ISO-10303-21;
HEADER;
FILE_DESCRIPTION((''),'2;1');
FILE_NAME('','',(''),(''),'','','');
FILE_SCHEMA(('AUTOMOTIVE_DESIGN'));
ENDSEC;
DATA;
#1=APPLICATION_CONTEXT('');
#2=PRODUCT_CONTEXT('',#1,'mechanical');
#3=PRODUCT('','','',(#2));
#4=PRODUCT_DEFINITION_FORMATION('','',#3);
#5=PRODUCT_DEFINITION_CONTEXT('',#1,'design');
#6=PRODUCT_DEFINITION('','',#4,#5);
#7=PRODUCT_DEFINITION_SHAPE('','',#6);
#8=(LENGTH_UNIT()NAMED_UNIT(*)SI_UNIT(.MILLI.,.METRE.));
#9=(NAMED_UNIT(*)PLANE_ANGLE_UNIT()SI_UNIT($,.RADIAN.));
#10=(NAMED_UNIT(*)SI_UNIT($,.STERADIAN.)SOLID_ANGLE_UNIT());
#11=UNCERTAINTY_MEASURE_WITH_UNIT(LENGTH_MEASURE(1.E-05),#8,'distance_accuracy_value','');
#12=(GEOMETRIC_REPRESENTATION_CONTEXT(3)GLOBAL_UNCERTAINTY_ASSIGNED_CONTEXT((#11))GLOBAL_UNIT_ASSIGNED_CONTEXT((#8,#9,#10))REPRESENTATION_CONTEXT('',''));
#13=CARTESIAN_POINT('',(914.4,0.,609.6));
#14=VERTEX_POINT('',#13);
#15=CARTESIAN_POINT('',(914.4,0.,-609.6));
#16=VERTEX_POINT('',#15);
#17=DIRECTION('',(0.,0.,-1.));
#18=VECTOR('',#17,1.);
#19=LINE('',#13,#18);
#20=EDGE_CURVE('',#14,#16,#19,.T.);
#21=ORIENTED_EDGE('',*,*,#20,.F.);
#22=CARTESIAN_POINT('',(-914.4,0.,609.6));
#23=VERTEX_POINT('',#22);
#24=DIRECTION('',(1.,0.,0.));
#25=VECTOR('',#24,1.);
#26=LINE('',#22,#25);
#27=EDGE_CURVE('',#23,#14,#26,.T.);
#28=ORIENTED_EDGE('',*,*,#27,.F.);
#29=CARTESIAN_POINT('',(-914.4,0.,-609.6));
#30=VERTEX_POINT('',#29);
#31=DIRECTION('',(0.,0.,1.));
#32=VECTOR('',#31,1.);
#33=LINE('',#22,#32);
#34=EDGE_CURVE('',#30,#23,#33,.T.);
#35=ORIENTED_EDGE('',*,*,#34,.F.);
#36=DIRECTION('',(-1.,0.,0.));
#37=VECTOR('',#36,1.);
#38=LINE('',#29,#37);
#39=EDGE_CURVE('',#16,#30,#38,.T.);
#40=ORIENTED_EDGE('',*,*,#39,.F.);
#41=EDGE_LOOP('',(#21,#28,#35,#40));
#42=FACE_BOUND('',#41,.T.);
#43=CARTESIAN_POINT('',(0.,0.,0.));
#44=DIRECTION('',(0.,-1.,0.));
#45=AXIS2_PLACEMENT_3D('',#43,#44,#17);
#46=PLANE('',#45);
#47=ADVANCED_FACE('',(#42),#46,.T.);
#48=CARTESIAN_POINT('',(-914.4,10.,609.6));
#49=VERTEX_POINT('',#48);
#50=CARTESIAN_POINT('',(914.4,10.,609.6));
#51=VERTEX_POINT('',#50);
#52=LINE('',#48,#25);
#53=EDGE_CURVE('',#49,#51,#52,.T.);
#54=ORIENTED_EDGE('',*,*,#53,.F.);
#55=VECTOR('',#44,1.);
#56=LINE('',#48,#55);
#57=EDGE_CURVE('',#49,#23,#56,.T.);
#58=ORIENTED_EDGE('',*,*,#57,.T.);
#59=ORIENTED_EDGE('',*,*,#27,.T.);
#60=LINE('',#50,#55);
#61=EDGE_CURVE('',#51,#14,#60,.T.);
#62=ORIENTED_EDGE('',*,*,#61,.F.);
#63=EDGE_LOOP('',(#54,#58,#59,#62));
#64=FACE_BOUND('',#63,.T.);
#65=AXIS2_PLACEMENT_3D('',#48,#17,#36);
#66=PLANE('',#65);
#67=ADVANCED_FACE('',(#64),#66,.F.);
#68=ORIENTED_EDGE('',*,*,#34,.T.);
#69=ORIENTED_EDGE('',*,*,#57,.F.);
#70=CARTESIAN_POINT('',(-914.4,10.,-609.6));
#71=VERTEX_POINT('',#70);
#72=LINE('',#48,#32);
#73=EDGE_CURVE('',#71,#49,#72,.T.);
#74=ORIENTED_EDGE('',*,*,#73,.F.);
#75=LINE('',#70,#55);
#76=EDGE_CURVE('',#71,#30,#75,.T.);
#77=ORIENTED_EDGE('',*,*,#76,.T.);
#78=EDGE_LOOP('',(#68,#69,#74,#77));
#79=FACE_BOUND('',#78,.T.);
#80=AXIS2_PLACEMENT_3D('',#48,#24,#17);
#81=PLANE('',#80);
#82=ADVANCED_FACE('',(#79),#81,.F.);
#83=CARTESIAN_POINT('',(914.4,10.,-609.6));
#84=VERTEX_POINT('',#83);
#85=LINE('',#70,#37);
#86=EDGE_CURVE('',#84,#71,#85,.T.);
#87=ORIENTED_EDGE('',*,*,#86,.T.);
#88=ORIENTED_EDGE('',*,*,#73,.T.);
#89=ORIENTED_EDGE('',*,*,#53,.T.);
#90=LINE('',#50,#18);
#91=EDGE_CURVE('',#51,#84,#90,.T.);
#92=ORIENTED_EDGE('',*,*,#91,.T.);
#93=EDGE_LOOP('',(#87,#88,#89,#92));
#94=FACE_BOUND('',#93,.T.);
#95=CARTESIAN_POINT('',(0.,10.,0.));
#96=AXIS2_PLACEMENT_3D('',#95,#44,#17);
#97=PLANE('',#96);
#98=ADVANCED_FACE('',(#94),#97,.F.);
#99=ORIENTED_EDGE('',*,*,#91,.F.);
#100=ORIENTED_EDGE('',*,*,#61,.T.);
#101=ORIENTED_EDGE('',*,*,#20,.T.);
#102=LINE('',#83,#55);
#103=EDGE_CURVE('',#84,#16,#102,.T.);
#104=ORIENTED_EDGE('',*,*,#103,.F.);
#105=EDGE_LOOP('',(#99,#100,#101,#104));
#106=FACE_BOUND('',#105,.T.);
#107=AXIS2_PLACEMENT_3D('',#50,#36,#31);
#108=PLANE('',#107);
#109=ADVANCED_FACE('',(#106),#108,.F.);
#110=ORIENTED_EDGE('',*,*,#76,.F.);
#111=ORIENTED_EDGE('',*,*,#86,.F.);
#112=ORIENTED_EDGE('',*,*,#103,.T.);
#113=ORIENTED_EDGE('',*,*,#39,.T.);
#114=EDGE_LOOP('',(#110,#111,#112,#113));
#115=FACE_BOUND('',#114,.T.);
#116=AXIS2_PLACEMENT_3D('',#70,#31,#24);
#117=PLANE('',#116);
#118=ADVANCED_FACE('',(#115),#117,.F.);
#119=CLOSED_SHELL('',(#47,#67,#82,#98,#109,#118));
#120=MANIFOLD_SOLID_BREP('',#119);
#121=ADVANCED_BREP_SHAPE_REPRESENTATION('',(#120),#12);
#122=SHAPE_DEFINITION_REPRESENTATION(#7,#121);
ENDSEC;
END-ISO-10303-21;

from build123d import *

# Parameters (mm, degrees)
SKETCH_1_W      = 1828.8
SKETCH_1_H      = 1219.2
EXTRUDE_1_DEPTH = 10


with BuildPart() as part:
    # Эскиз1 → Бобышка-Вытянуть1 (new body)
    with BuildSketch(Plane(origin=(0, 0, 0), x_dir=(1, 0, 0), z_dir=(0, 1, 0))):
        Rectangle(SKETCH_1_W, SKETCH_1_H)
    extrude(amount=EXTRUDE_1_DEPTH)


solid = part.part
